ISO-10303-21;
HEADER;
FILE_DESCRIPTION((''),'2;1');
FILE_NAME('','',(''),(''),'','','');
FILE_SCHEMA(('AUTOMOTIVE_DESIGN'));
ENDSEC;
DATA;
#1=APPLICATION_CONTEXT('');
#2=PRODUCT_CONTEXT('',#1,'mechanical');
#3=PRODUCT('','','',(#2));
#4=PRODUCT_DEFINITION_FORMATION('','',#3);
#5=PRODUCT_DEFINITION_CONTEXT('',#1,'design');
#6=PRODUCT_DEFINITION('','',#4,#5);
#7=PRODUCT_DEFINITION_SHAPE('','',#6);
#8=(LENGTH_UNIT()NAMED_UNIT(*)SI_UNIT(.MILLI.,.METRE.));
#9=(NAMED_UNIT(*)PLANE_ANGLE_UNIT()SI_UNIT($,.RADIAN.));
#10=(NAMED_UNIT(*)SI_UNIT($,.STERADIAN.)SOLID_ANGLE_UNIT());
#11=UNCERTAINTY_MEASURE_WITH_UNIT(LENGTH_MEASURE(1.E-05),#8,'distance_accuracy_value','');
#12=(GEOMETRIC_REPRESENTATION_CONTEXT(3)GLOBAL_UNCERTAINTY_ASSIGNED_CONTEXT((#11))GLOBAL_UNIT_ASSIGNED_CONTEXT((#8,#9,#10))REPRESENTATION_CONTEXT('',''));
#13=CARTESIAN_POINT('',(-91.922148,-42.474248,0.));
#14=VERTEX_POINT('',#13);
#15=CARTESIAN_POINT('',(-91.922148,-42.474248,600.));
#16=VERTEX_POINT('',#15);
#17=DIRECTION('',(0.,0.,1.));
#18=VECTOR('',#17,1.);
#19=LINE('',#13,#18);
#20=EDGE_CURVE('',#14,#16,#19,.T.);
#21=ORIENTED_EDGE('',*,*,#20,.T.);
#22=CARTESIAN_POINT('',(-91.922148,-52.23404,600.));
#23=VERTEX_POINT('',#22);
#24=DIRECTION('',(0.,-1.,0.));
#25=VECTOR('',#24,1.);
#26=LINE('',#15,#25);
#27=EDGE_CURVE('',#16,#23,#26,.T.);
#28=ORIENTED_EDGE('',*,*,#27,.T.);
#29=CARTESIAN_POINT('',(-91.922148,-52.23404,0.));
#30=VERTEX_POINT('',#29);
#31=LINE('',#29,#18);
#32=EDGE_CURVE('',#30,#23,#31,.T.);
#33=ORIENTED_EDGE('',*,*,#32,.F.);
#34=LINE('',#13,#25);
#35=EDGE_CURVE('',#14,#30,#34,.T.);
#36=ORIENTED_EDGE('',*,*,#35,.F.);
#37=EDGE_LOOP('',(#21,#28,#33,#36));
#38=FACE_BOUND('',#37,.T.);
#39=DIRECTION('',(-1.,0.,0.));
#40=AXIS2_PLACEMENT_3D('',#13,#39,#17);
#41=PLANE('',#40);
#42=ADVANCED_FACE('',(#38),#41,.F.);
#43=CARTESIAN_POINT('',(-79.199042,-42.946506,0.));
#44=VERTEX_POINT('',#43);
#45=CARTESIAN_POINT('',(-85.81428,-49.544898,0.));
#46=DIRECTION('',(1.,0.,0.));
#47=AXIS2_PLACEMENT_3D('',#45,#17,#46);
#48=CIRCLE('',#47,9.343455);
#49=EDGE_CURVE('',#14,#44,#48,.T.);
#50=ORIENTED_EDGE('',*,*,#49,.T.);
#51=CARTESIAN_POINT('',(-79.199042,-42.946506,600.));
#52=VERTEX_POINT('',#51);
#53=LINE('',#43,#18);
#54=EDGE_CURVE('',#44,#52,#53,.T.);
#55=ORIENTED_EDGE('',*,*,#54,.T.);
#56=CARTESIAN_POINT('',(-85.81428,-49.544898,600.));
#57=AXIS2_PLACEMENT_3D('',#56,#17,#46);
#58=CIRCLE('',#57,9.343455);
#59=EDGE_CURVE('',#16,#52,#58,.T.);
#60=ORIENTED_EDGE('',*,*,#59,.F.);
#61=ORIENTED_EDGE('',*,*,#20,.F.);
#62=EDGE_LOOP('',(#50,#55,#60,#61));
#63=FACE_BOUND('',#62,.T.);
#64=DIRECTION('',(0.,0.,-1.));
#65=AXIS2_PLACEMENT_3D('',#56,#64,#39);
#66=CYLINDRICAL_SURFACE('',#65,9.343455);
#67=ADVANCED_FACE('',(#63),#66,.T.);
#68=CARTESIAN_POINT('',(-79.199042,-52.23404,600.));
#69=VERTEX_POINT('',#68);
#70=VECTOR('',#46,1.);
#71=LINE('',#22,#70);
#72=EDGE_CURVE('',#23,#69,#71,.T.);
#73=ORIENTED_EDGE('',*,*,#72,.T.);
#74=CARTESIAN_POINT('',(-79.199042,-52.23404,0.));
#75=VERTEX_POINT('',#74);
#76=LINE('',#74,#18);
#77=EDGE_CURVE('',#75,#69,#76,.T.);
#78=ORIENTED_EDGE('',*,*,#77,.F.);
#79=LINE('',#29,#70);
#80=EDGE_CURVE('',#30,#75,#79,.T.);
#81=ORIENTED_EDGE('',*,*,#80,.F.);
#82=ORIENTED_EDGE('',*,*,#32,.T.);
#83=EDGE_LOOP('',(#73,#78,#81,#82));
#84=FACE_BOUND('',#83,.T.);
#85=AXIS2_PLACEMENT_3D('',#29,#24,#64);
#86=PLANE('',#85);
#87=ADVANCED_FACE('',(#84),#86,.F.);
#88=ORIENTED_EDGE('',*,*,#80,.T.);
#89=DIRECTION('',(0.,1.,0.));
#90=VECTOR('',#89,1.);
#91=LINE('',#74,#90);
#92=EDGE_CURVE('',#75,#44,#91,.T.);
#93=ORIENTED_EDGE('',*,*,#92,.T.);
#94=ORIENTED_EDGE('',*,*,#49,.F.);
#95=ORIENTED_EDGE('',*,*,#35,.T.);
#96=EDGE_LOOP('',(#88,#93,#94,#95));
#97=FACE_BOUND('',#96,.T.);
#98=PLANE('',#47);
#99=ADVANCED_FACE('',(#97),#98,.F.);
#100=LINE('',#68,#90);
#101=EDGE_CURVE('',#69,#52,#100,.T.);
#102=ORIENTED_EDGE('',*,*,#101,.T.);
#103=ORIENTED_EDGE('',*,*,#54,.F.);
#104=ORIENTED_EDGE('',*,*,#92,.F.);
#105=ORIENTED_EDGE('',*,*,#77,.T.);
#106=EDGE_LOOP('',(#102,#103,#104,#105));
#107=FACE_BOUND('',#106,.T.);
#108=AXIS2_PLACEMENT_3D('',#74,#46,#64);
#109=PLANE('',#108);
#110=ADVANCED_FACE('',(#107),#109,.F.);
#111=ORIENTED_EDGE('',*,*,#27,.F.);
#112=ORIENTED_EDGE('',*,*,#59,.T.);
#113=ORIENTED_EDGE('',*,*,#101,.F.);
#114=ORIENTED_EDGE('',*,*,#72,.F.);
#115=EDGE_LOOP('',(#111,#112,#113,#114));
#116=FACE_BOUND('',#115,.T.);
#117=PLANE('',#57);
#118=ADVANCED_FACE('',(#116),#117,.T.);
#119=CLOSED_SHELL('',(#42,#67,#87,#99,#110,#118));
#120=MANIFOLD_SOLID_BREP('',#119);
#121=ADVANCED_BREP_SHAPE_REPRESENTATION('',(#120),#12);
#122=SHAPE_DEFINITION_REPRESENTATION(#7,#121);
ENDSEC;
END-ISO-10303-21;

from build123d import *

# Parameters (mm, degrees)
SKETCH1_R           = 9.343454664
BOSS_EXTRUDE1_DEPTH = 600
CUT_EXTRUDE1_DEPTH  = 601


with BuildPart() as part:
    # Sketch1 → Boss-Extrude1 (new body)
    with BuildSketch(Plane.XY):
        with Locations((-85.814280173, -49.544897758)):
            Circle(SKETCH1_R)
    extrude(amount=BOSS_EXTRUDE1_DEPTH)

    # Sketch2 → Cut-Extrude1 (cut, through all)
    with BuildSketch(Plane.XY.offset(600)):
        with BuildLine():
            Line((-91.922148369, -42.474247777), (-91.922148369, -52.234040049))
            Line((-91.922148369, -52.234040049), (-79.199042479, -52.234040049))
            Line((-79.199042479, -52.234040049), (-79.199042479, -42.946505885))
            ThreePointArc((-79.199042479, -42.946505885), (-85.467707119, -40.207872955), (-91.922148369, -42.474247777))
        make_face()
    extrude(amount=-CUT_EXTRUDE1_DEPTH, mode=Mode.SUBTRACT)


solid = part.part
